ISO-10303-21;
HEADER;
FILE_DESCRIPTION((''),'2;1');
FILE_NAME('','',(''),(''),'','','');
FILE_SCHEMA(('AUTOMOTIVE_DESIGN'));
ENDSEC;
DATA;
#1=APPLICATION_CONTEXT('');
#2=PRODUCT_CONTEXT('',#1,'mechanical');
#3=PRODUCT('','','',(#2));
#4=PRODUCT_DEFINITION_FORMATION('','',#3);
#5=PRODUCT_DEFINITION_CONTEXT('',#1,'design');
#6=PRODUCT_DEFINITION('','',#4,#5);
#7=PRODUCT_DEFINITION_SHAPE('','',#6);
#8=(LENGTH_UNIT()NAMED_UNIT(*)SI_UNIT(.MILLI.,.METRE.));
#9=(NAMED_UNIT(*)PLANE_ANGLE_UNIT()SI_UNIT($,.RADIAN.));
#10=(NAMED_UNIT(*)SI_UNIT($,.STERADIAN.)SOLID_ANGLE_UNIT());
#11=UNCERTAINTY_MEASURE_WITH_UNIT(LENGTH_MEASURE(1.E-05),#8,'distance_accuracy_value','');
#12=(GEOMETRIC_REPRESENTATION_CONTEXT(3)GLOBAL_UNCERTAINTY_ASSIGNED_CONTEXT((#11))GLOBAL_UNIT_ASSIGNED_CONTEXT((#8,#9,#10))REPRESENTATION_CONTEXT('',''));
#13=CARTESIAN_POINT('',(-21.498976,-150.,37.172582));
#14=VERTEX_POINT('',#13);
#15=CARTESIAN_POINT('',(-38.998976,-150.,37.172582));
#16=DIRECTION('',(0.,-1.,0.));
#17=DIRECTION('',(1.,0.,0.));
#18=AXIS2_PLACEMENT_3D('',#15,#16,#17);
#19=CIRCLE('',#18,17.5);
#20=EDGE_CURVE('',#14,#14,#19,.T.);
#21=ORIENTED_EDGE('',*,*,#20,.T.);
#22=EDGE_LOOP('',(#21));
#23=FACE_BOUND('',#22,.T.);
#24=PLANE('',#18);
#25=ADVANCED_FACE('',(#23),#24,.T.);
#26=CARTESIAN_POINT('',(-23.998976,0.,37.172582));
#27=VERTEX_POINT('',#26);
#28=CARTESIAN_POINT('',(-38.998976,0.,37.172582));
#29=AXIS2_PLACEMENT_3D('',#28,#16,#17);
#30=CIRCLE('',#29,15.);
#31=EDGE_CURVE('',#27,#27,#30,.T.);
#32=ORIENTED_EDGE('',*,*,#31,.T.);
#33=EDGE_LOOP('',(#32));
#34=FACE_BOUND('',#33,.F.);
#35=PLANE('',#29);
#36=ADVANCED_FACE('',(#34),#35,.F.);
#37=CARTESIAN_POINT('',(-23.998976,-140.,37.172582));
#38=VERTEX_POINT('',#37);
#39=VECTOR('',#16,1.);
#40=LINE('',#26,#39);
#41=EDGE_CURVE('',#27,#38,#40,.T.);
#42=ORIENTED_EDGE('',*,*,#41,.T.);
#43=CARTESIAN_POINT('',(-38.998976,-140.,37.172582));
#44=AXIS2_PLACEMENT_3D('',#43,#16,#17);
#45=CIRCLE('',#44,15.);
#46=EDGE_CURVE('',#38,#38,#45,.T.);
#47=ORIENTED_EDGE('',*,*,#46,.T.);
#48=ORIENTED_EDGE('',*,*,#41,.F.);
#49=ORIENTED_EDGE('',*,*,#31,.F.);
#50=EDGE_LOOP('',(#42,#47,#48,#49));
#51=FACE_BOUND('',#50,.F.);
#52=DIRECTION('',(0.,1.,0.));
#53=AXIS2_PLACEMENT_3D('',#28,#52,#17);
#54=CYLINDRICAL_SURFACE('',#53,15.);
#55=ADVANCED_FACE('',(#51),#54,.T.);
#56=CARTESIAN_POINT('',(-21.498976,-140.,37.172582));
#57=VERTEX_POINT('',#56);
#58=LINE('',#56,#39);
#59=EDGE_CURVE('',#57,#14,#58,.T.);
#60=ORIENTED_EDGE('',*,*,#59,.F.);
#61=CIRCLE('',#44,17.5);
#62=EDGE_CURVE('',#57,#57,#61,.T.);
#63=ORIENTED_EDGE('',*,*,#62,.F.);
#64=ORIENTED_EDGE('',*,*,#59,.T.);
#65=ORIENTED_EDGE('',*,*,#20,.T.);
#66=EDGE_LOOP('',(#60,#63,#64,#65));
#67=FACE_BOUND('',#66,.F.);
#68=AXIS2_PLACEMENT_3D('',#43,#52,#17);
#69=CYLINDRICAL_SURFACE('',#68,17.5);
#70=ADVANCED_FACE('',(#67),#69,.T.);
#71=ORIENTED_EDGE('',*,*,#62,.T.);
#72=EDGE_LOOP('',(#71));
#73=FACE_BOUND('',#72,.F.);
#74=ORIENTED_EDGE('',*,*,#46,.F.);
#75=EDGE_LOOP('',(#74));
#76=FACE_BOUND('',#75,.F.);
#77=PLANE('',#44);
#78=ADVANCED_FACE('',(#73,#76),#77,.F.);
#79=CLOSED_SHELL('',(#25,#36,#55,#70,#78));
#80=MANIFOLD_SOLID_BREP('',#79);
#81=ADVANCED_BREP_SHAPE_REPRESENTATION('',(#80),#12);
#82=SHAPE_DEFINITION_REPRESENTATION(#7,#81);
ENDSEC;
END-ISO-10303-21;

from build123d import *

# Parameters (mm, degrees)
F0_R     = 15
F1_DEPTH = 140
F2_R     = 17.5
F2_R_2   = 15
F3_DEPTH = 10


with BuildPart() as f1:
    # F0 (on Front) → F1 (new body)
    with BuildSketch(Plane.XZ):
        with Locations((-38.9989763498, 37.1725820005)):
            Circle(F0_R)
    extrude(amount=F1_DEPTH)

    # F2 (on face) → F3 (join)
    with BuildSketch(Plane.XZ.offset(140)):
        with Locations((-38.9989763498, 37.1725820005)):
            Circle(F2_R)
        with Locations((-38.9989763498, 37.1725820005)):
            Circle(F2_R_2, mode=Mode.SUBTRACT)
        with Locations((-38.9989763498, 37.1725820005)):
            Circle(F2_R_2)
    extrude(amount=F3_DEPTH)


solid = f1.part
